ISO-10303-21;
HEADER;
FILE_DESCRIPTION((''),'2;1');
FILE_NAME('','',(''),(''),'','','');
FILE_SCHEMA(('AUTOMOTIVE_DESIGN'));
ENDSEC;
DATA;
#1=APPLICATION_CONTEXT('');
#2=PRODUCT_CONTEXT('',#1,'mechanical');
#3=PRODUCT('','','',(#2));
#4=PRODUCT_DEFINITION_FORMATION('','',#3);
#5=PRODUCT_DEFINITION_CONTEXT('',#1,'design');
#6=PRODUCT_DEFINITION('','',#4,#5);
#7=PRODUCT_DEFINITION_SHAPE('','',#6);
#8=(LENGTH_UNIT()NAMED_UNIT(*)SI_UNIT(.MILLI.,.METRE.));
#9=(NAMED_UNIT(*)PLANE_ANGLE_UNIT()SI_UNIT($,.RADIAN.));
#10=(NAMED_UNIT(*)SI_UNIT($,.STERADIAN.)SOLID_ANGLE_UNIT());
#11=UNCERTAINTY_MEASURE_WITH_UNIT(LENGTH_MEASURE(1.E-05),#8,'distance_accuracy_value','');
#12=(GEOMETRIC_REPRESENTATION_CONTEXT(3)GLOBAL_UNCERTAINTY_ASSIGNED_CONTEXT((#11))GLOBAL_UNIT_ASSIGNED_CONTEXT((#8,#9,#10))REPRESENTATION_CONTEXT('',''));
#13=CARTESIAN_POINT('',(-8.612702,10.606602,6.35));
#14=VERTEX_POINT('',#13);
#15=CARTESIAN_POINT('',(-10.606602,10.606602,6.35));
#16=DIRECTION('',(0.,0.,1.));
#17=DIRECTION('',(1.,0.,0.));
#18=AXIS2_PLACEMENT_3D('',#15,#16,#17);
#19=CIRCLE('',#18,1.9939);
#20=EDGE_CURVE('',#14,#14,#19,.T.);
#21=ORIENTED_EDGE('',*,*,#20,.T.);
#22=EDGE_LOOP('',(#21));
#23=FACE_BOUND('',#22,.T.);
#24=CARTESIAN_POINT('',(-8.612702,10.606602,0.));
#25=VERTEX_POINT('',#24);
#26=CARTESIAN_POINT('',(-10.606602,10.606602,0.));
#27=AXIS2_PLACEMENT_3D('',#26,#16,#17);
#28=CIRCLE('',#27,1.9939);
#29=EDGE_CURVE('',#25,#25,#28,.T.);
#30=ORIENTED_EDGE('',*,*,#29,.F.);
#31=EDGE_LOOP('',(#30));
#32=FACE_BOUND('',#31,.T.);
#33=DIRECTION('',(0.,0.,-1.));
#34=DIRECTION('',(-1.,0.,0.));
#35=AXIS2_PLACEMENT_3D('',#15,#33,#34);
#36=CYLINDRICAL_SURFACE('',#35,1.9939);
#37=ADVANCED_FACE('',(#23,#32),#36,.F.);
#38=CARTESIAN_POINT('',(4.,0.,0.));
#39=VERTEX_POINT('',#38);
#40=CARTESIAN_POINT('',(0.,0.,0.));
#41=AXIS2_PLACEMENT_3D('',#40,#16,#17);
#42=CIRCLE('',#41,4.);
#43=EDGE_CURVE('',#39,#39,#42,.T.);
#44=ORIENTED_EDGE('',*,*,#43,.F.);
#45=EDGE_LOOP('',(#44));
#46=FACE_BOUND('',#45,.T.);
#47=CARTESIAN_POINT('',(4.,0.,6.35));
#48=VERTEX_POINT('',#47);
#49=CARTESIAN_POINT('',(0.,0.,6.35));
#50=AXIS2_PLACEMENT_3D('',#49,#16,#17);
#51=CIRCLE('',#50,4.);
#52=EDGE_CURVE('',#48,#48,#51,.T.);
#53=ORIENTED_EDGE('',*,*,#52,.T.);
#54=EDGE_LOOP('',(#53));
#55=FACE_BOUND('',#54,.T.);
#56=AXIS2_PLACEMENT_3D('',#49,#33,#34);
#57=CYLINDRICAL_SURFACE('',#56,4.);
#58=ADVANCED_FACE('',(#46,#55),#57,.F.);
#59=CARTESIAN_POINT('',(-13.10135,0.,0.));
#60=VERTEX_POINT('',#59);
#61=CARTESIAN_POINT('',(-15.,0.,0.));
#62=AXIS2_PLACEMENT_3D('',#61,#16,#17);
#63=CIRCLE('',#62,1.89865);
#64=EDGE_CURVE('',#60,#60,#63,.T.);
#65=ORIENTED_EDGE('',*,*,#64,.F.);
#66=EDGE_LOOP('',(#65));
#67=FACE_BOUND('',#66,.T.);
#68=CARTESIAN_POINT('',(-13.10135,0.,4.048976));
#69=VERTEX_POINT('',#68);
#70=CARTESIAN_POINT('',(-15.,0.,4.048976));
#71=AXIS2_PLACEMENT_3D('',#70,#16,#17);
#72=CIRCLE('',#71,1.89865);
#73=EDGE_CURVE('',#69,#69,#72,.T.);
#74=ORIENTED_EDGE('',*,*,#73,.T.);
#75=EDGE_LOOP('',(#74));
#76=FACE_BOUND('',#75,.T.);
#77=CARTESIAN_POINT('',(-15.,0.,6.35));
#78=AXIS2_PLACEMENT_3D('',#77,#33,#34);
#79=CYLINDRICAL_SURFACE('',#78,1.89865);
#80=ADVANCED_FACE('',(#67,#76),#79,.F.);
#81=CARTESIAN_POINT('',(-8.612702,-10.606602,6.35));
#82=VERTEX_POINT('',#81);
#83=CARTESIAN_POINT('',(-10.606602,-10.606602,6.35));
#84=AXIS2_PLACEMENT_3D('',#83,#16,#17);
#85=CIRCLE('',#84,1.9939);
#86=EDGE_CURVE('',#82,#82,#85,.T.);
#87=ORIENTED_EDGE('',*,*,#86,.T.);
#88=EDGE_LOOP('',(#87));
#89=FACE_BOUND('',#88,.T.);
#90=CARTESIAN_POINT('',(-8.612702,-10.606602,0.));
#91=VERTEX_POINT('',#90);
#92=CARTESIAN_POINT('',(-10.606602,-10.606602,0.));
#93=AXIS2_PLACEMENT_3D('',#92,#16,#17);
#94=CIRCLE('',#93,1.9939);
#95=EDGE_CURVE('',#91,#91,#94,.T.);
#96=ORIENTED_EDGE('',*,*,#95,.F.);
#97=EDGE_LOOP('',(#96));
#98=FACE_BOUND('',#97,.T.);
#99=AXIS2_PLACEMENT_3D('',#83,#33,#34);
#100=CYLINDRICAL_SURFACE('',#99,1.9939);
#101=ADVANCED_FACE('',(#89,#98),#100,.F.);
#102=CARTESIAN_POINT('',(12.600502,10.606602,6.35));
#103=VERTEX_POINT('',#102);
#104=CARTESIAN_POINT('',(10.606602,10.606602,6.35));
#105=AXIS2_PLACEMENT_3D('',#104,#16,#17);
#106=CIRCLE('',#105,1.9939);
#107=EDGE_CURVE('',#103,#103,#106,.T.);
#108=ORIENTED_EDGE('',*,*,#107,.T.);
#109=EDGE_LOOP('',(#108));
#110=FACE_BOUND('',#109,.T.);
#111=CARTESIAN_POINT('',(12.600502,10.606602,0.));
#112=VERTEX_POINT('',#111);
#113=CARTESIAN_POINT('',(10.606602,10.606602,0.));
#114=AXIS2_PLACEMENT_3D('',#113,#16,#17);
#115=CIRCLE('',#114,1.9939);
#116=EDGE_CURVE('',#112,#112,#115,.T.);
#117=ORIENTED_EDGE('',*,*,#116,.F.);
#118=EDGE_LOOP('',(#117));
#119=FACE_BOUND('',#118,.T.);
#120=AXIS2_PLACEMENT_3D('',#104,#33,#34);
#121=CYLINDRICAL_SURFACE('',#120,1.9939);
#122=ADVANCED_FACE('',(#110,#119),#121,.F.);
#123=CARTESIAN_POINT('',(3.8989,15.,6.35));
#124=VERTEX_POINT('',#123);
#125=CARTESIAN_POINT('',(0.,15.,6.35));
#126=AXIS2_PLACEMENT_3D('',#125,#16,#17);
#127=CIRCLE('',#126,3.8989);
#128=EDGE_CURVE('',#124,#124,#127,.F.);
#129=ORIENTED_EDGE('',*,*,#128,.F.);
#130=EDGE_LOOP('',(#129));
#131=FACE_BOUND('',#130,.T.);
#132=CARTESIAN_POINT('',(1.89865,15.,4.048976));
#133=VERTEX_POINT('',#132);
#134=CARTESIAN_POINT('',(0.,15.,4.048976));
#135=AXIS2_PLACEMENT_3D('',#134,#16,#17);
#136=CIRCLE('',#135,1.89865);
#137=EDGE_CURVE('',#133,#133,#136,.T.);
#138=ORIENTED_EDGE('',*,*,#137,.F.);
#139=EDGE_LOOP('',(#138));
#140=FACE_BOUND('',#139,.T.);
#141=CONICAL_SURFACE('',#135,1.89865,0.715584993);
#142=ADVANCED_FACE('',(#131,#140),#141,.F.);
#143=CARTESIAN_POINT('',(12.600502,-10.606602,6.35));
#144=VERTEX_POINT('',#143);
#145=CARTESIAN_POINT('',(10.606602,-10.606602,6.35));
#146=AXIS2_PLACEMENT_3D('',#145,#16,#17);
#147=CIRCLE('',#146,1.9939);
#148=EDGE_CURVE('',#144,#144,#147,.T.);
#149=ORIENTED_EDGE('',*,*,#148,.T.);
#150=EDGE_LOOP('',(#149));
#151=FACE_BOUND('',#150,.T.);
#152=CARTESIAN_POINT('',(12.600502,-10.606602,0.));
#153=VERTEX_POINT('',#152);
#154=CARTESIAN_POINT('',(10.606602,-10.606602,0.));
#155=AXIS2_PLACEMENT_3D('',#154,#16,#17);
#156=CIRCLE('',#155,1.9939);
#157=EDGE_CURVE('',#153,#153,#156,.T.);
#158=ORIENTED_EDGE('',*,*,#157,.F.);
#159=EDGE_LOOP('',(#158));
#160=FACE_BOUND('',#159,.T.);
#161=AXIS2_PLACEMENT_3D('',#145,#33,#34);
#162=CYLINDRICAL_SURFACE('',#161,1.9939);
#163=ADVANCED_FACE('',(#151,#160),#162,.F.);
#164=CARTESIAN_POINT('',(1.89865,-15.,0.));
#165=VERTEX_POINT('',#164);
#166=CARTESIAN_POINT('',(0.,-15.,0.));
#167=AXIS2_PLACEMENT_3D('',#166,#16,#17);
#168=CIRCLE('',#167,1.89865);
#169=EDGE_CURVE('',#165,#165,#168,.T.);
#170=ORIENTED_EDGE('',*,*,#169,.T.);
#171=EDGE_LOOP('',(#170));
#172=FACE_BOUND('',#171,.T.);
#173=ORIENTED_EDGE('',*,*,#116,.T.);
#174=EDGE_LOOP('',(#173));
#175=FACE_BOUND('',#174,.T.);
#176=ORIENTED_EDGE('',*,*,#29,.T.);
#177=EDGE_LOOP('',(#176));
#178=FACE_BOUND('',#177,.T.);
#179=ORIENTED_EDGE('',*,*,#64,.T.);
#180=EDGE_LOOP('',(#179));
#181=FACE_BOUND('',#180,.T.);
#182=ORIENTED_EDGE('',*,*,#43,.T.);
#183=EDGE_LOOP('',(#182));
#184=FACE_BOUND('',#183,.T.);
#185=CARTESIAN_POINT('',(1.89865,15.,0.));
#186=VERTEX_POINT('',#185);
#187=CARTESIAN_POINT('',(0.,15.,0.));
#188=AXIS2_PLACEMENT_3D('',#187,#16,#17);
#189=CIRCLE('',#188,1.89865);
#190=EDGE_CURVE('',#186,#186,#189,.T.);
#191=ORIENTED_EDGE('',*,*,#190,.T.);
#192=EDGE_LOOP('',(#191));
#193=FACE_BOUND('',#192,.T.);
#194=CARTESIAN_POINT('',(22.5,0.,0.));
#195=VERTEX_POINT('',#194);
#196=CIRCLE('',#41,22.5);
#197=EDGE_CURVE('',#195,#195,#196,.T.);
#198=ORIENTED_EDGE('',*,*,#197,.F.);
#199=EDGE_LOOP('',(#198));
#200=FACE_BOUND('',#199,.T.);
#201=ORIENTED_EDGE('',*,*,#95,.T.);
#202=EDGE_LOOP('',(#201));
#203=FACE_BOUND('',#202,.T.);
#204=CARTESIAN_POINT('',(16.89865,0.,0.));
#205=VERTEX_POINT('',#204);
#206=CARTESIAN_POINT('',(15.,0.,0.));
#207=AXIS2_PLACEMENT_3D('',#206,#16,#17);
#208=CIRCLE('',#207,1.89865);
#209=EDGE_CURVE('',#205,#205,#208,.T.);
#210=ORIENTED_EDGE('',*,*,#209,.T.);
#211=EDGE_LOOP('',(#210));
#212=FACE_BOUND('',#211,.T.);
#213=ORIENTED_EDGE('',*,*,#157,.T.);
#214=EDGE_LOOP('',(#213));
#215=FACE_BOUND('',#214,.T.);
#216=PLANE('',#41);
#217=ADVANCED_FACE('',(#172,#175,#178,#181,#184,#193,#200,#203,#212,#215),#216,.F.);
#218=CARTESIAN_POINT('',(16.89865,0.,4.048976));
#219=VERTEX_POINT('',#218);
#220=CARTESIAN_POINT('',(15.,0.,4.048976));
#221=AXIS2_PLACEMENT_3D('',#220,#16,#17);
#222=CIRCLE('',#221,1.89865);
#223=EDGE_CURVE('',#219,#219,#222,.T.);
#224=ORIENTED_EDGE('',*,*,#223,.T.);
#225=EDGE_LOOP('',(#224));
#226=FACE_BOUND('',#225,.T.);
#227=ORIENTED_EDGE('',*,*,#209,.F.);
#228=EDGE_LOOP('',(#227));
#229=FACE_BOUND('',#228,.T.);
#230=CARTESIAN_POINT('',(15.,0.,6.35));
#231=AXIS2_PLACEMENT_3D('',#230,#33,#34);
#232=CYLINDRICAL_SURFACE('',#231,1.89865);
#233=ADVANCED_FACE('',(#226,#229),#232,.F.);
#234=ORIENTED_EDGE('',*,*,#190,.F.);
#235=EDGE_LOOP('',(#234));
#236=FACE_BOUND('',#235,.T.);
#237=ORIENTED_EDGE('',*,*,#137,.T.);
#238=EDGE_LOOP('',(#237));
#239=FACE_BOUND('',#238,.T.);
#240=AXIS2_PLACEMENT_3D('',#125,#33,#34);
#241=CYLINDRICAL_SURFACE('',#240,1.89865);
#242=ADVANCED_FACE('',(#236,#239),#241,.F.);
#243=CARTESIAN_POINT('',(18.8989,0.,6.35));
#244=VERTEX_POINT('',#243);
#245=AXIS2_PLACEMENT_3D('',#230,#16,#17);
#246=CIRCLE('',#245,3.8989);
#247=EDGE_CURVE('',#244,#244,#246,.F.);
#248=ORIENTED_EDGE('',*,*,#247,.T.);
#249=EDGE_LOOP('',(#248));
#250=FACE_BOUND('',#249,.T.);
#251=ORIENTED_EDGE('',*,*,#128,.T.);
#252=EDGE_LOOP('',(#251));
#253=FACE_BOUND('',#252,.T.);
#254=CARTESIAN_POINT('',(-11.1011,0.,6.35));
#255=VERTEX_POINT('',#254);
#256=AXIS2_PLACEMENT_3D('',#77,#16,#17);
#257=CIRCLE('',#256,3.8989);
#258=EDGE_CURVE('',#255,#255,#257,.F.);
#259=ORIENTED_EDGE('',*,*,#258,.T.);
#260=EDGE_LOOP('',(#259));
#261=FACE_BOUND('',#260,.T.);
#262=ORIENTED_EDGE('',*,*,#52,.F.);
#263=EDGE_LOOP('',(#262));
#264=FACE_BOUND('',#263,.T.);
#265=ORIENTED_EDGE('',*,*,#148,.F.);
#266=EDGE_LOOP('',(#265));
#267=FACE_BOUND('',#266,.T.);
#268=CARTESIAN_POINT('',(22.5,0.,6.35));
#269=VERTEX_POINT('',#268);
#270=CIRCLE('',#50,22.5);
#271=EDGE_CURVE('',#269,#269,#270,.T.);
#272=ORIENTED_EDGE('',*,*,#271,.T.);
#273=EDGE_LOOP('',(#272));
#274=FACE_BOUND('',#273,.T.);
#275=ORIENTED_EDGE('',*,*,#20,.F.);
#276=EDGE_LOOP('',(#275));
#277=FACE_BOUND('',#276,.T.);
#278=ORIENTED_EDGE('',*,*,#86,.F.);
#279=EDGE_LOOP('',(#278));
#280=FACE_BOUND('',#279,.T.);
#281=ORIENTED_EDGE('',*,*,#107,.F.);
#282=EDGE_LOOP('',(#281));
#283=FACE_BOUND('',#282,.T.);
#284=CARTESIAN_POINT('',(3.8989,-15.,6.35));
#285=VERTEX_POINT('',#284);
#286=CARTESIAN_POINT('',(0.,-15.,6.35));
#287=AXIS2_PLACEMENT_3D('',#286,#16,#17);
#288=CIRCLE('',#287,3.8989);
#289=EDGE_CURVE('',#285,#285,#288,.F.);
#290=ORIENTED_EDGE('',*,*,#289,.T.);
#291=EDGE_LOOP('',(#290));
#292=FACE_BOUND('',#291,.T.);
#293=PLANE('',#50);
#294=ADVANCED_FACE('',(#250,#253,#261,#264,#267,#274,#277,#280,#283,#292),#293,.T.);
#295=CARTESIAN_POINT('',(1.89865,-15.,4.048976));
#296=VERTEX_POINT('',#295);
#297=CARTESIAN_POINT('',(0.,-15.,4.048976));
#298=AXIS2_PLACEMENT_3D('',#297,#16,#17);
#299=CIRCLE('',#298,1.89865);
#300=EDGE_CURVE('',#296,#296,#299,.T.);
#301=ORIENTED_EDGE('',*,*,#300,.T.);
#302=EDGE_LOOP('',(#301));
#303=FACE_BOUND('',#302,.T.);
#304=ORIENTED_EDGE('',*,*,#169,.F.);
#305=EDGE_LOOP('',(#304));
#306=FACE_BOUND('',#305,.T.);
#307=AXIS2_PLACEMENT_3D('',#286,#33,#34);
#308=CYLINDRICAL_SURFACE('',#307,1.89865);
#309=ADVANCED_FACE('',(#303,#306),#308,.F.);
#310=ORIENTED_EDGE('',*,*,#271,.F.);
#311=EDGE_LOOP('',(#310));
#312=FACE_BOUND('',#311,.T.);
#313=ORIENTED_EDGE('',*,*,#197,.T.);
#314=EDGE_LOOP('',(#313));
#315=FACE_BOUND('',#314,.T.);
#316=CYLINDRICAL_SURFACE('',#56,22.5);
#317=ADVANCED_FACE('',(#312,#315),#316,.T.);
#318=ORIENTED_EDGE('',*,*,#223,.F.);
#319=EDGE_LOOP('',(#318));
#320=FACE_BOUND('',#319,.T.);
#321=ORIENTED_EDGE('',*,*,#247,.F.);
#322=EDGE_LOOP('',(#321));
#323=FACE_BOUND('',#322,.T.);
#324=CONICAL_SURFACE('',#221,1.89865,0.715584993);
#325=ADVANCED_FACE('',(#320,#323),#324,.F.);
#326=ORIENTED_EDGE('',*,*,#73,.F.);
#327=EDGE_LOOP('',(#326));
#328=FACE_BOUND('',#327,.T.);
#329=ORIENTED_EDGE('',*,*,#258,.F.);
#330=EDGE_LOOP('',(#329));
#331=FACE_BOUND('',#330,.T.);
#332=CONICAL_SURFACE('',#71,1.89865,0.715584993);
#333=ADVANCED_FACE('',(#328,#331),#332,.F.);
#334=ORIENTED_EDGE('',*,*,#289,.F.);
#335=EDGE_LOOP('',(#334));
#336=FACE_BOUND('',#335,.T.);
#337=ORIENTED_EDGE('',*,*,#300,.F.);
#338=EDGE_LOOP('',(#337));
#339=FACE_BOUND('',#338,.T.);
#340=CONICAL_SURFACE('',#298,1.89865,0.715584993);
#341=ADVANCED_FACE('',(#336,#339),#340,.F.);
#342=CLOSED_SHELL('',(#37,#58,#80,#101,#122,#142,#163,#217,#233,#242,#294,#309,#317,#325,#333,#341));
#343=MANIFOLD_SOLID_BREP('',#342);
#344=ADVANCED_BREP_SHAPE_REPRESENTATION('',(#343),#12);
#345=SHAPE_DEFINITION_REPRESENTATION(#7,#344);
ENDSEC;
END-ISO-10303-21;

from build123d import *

# Parameters (mm, degrees)
SKETCH1_R             = 22.5
SKETCH1_R_2           = 4
SKETCH1_R_3           = 1.89865
SKETCH1_R_4           = 1.9939
BOSS_EXTRUDE1_DEPTH   = 6.35
CHAMFER1_SIZE         = 2.301024407
CHAMFER1_SIZE2        = 2.00025
CHAMFER1_PART_2_SIZE  = 2.301024407
CHAMFER1_PART_2_SIZE2 = 2.00025
CHAMFER1_PART_3_SIZE  = 2.301024407
CHAMFER1_PART_3_SIZE2 = 2.00025
CHAMFER1_PART_4_SIZE  = 2.301024407
CHAMFER1_PART_4_SIZE2 = 2.00025


with BuildPart() as part:
    # Sketch1 → Boss-Extrude1 (new body)
    with BuildSketch(Plane.XY):
        Circle(SKETCH1_R)
        Circle(SKETCH1_R_2, mode=Mode.SUBTRACT)
        with Locations((0, 15)):
            Circle(SKETCH1_R_3, mode=Mode.SUBTRACT)
        with Locations((10.606601718, 10.606601718)):
            Circle(SKETCH1_R_4, mode=Mode.SUBTRACT)
        with Locations((15, 0)):
            Circle(SKETCH1_R_3, mode=Mode.SUBTRACT)
        with Locations((10.606601718, -10.606601718)):
            Circle(SKETCH1_R_4, mode=Mode.SUBTRACT)
        with Locations((0, -15)):
            Circle(SKETCH1_R_3, mode=Mode.SUBTRACT)
        with Locations((-10.606601718, -10.606601718)):
            Circle(SKETCH1_R_4, mode=Mode.SUBTRACT)
        with Locations((-15, 0)):
            Circle(SKETCH1_R_3, mode=Mode.SUBTRACT)
        with Locations((-10.606601718, 10.606601718)):
            Circle(SKETCH1_R_4, mode=Mode.SUBTRACT)
    extrude(amount=BOSS_EXTRUDE1_DEPTH)

    # Chamfer1
    chamfer1_edges = [part.edges().sort_by_distance(p)[0] for p in [
        (13.10135, 0, 6.35),
    ]]
    chamfer1_side = [part.faces().sort_by_distance(p)[0] for p in [
        (13.10135, 0, 3.175),
    ]]
    chamfer(chamfer1_edges, length=CHAMFER1_SIZE, length2=CHAMFER1_SIZE2, reference=chamfer1_side[0])

    # Chamfer1 part 2
    chamfer1_part_2_edges = [part.edges().sort_by_distance(p)[0] for p in [
        (-1.89865, -15, 6.35),
    ]]
    chamfer1_part_2_side = [part.faces().sort_by_distance(p)[0] for p in [
        (-1.89865, -15, 3.175),
    ]]
    chamfer(chamfer1_part_2_edges, length=CHAMFER1_PART_2_SIZE, length2=CHAMFER1_PART_2_SIZE2, reference=chamfer1_part_2_side[0])

    # Chamfer1 part 3
    chamfer1_part_3_edges = [part.edges().sort_by_distance(p)[0] for p in [
        (-16.89865, 0, 6.35),
    ]]
    chamfer1_part_3_side = [part.faces().sort_by_distance(p)[0] for p in [
        (-16.89865, 0, 3.175),
    ]]
    chamfer(chamfer1_part_3_edges, length=CHAMFER1_PART_3_SIZE, length2=CHAMFER1_PART_3_SIZE2, reference=chamfer1_part_3_side[0])

    # Chamfer1 part 4
    chamfer1_part_4_edges = [part.edges().sort_by_distance(p)[0] for p in [
        (-1.89865, 15, 6.35),
    ]]
    chamfer1_part_4_side = [part.faces().sort_by_distance(p)[0] for p in [
        (-1.89865, 15, 3.175),
    ]]
    chamfer(chamfer1_part_4_edges, length=CHAMFER1_PART_4_SIZE, length2=CHAMFER1_PART_4_SIZE2, reference=chamfer1_part_4_side[0])


solid = part.part
